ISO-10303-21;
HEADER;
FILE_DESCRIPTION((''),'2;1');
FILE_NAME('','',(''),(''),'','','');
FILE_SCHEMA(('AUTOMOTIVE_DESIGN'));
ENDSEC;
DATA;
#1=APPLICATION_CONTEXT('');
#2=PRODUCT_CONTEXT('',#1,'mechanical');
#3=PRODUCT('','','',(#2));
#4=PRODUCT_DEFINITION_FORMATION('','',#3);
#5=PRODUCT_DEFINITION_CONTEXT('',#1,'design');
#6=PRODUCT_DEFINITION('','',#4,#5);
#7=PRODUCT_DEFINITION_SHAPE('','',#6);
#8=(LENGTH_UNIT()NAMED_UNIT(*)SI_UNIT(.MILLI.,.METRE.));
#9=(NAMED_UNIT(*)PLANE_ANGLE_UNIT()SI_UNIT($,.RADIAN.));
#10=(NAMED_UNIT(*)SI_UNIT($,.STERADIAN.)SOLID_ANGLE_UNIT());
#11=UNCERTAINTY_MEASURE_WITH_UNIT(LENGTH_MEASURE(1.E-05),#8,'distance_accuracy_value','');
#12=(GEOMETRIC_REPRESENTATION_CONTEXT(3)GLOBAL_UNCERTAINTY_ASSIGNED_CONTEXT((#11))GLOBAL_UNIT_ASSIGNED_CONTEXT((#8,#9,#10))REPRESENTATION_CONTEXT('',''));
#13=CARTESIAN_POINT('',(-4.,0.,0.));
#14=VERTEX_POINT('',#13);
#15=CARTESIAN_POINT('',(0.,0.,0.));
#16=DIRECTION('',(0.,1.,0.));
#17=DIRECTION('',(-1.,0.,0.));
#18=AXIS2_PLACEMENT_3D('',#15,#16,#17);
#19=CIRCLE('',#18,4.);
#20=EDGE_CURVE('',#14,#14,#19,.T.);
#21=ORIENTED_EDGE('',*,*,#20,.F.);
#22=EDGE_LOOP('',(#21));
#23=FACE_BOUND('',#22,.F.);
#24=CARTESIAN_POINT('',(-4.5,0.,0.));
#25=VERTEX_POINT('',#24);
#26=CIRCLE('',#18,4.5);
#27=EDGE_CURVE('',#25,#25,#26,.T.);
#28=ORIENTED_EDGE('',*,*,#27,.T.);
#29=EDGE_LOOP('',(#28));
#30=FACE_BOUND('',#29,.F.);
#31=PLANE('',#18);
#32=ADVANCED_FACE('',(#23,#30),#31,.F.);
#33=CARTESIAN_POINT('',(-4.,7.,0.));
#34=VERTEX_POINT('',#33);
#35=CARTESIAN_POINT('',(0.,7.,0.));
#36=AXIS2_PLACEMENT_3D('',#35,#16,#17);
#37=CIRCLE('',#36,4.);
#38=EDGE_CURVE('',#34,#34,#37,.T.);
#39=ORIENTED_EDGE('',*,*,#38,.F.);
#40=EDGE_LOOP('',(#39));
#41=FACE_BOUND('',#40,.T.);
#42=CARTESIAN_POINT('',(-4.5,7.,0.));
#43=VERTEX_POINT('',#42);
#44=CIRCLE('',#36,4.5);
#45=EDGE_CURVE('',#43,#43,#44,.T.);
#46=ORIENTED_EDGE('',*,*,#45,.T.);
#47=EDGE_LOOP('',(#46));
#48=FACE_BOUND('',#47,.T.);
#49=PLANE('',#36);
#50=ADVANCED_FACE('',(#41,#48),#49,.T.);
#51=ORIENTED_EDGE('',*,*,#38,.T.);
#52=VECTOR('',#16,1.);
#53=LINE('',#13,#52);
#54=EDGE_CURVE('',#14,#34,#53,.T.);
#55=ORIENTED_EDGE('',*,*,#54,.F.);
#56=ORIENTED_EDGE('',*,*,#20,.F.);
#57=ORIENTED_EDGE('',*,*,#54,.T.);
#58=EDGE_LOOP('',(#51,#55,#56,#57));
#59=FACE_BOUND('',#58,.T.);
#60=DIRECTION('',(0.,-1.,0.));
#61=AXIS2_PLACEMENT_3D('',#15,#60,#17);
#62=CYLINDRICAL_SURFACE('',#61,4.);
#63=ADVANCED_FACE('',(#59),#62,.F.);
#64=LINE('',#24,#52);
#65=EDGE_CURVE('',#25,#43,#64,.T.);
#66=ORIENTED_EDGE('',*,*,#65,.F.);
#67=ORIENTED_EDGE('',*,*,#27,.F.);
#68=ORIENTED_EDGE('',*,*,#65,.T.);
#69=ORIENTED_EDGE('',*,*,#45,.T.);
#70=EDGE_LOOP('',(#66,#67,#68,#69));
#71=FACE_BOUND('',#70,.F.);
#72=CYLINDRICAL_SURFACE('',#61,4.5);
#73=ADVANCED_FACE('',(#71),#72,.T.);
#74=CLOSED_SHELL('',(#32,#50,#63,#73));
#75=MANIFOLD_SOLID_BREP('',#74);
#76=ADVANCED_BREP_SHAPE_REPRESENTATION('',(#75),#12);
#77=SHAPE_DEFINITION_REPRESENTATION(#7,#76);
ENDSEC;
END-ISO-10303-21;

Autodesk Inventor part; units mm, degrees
ref_plane "YZ Plane" through (0, 0, 0) normal (1, 0, 0) x (0, 1, 0)
ref_plane "XZ Plane" through (0, 0, 0) normal (0, 1, 0) x (-1, 0, 0)
ref_plane "XY Plane" through (0, 0, 0) normal (0, 0, 1) x (1, 0, 0)
sketch "Sketch1" plane through (0, 0, 0) normal (0, 1, 0) x (-1, 0, 0)
  circle A0 centre (0, 0) radius 4
  circle A1 centre (0, 0) radius 4.5
  dimension "d0" = 8
  dimension "d1" = 9
extrude "Extrusion1" add sketch "Sketch1" along normal blind 7
properties part number "_3DPrint"
